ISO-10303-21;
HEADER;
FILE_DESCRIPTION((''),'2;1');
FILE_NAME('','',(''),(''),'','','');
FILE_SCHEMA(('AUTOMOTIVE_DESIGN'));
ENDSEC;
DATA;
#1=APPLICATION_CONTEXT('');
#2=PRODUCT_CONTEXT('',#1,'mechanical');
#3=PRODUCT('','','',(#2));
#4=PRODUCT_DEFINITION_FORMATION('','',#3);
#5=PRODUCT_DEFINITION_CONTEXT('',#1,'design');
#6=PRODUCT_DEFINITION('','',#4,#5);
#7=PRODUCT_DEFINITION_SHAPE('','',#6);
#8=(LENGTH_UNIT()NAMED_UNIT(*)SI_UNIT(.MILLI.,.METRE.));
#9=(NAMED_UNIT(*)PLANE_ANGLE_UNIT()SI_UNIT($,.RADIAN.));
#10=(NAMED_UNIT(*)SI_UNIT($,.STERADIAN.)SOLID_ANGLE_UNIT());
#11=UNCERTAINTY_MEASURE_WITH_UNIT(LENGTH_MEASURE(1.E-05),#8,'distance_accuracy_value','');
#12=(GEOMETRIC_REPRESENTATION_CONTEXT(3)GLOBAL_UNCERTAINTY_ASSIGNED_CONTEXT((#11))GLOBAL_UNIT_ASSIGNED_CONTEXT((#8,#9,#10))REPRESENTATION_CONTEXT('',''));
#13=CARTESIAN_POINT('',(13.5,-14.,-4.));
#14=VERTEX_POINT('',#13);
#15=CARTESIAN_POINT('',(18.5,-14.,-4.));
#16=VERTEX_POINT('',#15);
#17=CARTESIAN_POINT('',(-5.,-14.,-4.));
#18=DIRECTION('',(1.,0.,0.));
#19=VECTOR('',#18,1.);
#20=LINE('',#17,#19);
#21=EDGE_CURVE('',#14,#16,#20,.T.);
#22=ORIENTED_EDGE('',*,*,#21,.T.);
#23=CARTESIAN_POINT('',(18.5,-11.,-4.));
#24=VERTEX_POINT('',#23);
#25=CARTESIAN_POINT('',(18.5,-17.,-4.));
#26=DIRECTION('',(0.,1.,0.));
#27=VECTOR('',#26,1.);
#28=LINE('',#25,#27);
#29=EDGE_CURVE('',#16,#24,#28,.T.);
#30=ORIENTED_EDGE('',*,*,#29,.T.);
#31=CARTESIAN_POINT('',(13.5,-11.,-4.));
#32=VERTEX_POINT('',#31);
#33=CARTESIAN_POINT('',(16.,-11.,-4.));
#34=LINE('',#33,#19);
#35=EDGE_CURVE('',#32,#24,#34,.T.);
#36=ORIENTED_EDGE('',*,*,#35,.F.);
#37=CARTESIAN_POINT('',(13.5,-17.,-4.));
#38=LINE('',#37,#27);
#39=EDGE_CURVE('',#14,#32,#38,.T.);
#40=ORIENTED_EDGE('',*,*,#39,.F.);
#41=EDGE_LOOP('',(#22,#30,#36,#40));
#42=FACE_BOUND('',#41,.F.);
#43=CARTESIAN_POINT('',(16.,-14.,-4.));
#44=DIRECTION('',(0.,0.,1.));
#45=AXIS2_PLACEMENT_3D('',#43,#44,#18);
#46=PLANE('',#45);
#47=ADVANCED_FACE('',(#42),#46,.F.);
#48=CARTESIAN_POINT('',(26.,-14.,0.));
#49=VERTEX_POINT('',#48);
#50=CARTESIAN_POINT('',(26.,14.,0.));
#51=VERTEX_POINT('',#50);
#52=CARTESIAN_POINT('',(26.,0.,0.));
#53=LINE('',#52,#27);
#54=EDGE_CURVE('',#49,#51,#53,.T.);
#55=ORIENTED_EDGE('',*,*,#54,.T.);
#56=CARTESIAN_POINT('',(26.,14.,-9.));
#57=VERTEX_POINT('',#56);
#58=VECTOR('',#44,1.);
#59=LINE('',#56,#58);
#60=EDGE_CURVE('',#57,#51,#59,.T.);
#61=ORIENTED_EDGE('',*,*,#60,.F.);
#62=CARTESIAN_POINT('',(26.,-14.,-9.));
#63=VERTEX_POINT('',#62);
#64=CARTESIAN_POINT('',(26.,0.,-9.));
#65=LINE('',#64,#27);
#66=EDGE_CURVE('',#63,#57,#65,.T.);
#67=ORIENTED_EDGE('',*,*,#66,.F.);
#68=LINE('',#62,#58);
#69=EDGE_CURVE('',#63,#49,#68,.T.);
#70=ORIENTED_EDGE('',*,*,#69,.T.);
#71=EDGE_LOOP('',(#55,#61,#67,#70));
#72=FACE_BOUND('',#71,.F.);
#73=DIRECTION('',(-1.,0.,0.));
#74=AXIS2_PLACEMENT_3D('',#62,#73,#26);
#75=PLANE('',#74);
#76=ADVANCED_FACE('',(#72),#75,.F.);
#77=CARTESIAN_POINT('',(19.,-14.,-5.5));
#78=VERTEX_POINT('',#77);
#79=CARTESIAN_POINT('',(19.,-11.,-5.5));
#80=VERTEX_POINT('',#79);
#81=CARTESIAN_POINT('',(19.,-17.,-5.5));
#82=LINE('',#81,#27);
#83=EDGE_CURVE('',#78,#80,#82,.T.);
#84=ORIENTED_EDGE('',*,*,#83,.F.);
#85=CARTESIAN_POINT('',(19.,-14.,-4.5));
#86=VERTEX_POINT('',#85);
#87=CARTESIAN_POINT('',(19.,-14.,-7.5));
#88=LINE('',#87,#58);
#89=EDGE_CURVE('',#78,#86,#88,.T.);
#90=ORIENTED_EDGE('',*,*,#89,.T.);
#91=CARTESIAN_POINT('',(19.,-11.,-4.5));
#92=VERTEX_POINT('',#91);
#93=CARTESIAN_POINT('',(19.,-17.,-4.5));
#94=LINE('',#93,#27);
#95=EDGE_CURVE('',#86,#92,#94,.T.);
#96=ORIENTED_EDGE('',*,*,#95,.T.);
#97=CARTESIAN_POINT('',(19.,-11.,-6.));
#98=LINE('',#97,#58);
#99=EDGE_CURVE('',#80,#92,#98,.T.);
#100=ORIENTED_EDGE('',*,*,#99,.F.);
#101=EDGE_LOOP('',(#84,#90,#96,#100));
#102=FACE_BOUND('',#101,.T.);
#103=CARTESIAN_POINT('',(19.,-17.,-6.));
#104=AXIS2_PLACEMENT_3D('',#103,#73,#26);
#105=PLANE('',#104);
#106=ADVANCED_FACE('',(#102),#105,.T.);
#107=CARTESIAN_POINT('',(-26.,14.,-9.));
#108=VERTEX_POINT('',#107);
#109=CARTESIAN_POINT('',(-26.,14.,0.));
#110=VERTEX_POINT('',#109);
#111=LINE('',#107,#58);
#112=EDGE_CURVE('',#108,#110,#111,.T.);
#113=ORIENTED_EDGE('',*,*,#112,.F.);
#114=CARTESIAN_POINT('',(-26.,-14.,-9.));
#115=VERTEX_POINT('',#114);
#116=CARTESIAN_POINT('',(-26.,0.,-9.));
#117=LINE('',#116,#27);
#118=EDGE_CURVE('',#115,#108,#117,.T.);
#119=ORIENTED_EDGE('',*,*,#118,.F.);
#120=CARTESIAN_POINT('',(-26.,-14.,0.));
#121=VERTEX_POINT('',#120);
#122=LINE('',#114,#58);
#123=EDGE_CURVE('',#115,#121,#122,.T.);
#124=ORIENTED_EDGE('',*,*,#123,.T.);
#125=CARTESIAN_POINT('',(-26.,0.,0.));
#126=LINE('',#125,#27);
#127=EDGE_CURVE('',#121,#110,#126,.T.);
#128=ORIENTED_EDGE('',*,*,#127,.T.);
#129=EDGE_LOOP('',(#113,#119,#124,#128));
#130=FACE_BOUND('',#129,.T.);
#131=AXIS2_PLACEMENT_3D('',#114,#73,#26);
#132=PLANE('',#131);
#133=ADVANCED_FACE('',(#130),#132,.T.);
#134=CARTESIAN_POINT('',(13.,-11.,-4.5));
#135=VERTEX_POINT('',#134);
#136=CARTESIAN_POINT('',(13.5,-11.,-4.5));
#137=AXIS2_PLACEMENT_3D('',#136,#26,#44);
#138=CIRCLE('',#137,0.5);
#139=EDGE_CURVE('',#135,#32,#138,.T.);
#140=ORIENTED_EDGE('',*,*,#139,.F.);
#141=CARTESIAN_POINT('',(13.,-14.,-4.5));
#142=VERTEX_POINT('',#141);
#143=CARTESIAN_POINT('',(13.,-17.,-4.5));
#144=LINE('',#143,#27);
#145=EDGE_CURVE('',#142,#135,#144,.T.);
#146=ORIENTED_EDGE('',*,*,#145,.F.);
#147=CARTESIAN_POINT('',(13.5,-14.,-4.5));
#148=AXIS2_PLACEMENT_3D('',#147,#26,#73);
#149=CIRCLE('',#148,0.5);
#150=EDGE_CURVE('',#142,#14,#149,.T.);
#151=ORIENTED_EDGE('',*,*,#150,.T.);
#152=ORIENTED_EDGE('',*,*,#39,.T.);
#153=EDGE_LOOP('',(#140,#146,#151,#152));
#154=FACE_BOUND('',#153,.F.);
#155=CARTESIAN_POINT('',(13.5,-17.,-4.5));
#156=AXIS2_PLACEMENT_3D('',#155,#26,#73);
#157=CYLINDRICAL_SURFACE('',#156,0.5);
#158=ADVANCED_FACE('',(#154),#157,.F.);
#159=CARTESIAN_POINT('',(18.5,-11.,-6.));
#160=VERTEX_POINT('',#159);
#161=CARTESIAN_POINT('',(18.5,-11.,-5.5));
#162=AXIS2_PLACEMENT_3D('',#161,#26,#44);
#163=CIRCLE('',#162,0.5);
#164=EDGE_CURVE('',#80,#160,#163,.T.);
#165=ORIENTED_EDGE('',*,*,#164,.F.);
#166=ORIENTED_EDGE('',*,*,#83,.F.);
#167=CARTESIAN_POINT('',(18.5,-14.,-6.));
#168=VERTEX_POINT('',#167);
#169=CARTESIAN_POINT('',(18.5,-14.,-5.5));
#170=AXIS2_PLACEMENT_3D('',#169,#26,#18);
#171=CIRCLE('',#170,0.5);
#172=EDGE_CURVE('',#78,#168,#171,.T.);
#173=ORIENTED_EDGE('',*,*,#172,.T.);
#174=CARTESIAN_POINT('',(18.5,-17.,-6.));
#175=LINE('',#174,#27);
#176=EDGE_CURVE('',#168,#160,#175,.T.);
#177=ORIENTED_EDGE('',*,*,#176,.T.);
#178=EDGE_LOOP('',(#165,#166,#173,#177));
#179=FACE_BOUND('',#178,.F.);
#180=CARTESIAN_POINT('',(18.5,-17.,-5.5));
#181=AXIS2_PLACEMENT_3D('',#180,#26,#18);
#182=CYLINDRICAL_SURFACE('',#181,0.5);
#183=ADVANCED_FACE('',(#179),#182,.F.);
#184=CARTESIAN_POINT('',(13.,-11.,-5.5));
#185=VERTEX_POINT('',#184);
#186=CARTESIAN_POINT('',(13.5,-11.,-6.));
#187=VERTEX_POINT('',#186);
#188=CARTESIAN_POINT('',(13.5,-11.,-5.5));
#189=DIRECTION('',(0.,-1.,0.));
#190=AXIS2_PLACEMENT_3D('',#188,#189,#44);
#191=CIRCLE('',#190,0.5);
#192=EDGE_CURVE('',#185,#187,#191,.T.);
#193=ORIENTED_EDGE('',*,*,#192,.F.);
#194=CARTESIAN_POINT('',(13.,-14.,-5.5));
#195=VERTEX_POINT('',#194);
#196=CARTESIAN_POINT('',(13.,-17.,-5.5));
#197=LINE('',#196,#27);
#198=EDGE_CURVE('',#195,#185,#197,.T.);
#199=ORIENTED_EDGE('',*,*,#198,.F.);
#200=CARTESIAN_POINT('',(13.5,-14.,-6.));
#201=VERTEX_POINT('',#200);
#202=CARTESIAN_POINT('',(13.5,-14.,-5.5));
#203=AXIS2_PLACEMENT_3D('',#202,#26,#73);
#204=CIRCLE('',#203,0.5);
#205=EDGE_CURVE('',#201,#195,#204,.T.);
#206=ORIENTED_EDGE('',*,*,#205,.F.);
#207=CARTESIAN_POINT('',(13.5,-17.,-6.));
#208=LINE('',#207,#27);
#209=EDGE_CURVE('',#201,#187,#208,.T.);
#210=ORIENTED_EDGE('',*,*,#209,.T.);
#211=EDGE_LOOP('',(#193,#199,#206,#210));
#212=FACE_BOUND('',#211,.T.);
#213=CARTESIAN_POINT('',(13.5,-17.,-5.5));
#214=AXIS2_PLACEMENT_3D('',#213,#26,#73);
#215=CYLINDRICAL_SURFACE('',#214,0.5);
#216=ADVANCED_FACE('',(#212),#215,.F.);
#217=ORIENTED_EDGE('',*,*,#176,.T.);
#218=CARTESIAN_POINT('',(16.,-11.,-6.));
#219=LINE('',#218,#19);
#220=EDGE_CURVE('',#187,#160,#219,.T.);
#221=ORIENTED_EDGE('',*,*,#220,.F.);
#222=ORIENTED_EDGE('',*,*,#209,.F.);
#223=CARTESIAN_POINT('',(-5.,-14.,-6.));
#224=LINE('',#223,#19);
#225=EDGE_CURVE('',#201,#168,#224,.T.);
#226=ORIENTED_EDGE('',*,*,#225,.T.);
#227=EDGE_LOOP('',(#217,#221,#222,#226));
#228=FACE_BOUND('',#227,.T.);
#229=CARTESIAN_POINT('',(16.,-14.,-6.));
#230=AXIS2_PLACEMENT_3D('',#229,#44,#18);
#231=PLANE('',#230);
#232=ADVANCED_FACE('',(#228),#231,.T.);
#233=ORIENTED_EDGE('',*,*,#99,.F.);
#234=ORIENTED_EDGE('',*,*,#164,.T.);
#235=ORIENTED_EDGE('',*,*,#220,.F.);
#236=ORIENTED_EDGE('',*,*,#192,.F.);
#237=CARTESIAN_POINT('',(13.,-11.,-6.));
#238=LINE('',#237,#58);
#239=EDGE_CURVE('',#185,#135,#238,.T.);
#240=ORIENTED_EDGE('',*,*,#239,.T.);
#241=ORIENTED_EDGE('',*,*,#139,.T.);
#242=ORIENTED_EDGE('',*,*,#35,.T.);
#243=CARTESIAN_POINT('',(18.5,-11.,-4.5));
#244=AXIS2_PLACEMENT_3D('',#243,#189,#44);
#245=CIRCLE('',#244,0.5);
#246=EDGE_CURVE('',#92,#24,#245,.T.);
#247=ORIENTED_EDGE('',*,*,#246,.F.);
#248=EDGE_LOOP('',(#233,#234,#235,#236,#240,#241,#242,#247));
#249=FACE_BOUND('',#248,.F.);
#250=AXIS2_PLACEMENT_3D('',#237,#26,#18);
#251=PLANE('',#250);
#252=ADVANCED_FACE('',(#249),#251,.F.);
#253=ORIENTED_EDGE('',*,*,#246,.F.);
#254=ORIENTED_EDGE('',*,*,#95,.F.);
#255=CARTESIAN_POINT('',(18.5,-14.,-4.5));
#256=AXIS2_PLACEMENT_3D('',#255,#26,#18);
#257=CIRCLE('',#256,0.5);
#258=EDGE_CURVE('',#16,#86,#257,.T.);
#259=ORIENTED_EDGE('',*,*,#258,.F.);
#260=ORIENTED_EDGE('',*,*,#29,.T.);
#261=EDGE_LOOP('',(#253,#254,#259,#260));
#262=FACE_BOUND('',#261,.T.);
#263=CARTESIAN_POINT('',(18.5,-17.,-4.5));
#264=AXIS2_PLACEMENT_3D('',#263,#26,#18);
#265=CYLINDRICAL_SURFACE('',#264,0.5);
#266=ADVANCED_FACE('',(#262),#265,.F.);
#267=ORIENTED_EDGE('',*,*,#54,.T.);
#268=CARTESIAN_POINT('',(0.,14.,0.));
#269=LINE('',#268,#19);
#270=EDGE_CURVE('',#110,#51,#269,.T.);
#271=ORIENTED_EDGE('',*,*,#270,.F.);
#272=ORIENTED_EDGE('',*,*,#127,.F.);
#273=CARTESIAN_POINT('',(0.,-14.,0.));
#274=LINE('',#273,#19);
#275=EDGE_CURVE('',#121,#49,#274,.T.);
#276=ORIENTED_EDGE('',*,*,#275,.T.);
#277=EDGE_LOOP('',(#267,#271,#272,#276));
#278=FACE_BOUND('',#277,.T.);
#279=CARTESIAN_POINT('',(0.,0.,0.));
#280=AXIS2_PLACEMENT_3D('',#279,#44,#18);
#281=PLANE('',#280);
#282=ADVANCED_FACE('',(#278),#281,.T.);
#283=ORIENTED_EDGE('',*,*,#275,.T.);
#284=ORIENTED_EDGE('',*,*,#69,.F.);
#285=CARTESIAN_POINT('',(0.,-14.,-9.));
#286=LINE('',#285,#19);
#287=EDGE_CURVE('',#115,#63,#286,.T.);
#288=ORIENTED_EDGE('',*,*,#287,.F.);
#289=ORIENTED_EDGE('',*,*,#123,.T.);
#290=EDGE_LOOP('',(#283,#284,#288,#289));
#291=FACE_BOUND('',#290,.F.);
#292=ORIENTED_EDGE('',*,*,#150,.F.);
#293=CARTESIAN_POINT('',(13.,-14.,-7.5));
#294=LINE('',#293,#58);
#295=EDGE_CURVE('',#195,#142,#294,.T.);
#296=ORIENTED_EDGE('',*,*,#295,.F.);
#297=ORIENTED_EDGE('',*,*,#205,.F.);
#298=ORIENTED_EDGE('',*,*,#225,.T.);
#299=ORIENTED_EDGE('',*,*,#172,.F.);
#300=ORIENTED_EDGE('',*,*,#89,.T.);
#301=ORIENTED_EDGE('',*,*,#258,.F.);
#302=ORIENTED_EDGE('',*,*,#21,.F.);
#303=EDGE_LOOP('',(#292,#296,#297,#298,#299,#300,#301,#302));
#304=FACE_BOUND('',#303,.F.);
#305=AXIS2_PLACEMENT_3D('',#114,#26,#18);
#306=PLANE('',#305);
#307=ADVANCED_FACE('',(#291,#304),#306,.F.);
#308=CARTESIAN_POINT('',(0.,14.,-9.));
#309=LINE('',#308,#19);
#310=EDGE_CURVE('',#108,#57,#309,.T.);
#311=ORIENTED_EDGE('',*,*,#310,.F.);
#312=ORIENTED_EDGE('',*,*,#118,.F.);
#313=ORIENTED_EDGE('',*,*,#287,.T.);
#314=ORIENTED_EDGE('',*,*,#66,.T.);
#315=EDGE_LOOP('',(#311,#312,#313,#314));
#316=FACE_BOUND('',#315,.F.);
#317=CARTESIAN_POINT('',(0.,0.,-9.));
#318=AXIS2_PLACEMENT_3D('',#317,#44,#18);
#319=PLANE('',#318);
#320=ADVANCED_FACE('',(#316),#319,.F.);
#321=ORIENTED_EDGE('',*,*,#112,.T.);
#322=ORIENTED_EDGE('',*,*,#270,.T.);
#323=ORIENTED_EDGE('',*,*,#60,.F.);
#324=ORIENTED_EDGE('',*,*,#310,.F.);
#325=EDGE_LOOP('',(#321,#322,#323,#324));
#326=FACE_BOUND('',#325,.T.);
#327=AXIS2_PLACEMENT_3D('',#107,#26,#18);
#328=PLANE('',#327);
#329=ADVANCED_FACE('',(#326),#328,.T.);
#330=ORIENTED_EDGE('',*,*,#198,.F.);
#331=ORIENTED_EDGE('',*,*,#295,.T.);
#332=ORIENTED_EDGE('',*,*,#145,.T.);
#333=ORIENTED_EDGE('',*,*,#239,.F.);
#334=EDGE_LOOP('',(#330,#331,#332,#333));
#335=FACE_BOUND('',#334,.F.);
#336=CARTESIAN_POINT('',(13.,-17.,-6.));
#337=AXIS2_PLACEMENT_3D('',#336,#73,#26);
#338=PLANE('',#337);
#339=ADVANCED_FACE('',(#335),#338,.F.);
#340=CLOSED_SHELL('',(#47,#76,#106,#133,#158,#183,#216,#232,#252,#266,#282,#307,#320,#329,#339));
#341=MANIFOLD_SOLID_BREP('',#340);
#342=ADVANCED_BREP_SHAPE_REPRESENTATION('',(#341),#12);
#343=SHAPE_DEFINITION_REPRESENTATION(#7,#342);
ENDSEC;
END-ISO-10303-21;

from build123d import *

# Parameters (mm, degrees)
BOX003_W     = 6
BOX003_H     = 6
BOX003_DEPTH = 2
FILLET002_R  = 0.5
BOX_W        = 52
BOX_H        = 28
BOX_DEPTH    = 9


with BuildPart() as fillet002:
    # Box003 → Box003 (new body)
    with BuildSketch(Plane(origin=(13, -17, -6), x_dir=(1, 0, 0), z_dir=(0, 0, 1))):
        with Locations((3, 3)):
            Rectangle(BOX003_W, BOX003_H)
    extrude(amount=BOX003_DEPTH)

    # Fillet002
    fillet002_edges = [fillet002.edges().sort_by_distance(p)[0] for p in [
        (13, -14, -4),
        (13, -14, -6),
        (19, -14, -4),
        (19, -14, -6),
    ]]
    fillet(fillet002_edges, radius=FILLET002_R)


with BuildPart() as korp:
    # Box → Box (new body)
    with BuildSketch(Plane(origin=(-26, -14, -9), x_dir=(1, 0, 0), z_dir=(0, 0, 1))):
        with Locations((26, 14)):
            Rectangle(BOX_W, BOX_H)
    extrude(amount=BOX_DEPTH)

    # Cut: cut Fillet002
    add(fillet002.part, mode=Mode.SUBTRACT)


solid = korp.part
